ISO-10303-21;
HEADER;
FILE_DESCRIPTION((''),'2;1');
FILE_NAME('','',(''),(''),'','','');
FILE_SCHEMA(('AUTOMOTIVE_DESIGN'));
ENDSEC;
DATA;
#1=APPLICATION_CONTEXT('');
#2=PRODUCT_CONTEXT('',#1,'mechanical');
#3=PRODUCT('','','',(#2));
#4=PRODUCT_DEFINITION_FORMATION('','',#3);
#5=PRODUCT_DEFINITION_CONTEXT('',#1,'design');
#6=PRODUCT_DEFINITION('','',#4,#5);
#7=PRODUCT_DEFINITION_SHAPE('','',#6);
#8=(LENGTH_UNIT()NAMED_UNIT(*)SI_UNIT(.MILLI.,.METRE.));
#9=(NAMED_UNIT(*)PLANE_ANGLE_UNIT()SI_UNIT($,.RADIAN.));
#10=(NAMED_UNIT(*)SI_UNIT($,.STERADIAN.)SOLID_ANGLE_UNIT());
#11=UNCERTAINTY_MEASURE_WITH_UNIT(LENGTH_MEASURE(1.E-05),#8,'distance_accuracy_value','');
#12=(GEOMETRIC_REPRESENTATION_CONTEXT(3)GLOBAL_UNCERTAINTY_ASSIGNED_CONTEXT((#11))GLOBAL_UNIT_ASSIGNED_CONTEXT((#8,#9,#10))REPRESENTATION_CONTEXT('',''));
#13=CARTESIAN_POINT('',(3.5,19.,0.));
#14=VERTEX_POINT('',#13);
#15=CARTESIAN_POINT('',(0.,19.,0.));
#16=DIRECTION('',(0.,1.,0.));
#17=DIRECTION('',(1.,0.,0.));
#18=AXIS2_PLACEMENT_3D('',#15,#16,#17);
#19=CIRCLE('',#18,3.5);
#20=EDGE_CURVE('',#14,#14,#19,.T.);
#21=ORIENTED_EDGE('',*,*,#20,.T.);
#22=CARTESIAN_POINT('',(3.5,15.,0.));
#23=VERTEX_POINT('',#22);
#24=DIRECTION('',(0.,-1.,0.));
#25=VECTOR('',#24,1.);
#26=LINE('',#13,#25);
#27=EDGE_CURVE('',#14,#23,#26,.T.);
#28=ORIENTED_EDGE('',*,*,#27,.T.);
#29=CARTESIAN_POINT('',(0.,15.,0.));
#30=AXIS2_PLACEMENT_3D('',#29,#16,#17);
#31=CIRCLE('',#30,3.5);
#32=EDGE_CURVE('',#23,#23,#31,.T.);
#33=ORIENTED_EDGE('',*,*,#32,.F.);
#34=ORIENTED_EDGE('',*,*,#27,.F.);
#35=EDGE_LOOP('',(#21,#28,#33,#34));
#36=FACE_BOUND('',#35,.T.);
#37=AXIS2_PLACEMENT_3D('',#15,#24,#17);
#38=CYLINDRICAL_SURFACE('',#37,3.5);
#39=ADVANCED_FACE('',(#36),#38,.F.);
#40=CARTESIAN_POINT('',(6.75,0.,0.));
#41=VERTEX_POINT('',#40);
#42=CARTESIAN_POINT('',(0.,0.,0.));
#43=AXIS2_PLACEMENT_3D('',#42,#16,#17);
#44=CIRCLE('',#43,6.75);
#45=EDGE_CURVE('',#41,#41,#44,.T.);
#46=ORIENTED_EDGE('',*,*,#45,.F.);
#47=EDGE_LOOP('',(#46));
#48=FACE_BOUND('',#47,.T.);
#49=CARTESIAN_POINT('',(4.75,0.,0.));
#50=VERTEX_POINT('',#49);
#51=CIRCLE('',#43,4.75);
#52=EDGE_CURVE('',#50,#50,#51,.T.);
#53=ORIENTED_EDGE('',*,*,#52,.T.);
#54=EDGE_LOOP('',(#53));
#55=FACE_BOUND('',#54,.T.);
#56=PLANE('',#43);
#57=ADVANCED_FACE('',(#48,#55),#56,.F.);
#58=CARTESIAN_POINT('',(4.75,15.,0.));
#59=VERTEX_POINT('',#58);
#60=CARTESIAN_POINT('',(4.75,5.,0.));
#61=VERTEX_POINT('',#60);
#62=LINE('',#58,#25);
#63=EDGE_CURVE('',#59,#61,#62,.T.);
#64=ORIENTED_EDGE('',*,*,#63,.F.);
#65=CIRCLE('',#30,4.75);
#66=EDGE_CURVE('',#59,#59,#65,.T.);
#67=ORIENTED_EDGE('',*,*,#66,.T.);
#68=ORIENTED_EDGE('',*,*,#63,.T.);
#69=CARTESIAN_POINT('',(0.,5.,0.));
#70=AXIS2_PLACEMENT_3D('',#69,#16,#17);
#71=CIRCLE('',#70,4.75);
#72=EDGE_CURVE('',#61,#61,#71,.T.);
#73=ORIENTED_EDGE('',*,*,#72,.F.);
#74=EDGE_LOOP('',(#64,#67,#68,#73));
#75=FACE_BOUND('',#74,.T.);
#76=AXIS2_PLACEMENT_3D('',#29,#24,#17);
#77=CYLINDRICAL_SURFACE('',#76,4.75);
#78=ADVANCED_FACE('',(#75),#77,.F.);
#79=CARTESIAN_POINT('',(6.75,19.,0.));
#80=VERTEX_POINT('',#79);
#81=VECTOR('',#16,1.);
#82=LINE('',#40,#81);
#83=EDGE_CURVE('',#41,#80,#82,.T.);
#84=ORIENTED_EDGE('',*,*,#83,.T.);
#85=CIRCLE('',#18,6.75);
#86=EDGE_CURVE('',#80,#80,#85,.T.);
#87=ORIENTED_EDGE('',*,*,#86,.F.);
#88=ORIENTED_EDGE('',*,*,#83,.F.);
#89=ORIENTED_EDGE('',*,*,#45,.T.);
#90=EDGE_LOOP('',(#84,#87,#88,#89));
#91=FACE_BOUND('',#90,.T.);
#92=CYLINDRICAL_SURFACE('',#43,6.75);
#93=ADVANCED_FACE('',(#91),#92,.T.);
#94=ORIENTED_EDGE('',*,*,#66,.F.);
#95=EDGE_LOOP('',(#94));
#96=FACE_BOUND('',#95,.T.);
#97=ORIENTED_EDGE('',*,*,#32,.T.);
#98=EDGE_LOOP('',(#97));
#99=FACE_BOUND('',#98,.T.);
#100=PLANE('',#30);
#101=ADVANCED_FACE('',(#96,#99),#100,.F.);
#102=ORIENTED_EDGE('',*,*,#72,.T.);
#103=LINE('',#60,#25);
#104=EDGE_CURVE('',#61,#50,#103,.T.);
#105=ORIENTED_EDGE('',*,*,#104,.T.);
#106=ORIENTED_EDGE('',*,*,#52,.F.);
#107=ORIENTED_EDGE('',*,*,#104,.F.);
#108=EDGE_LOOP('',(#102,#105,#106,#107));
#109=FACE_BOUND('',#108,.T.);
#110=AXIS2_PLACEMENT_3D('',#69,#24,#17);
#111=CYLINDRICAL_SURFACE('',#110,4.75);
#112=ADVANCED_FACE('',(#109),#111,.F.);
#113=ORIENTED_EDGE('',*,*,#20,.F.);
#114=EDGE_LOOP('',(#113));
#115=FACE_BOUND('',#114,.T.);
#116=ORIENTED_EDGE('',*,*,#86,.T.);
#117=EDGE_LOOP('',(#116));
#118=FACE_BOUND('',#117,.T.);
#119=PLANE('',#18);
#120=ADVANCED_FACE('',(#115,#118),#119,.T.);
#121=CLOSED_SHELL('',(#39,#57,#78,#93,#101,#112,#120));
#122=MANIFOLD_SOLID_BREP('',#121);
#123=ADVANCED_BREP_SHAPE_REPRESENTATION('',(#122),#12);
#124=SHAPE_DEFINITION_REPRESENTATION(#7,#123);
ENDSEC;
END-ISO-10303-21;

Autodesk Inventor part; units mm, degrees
ref_plane "YZ Plane" through (0, 0, 0) normal (1, 0, 0) x (0, 1, 0)
ref_plane "XZ Plane" through (0, 0, 0) normal (0, 1, 0) x (-1, 0, 0)
ref_plane "XY Plane" through (0, 0, 0) normal (0, 0, 1) x (1, 0, 0)
sketch "Sketch1" plane through (0, 0, 0) normal (0, 0, 1) x (1, 0, 0)
  line L0 (0, 0) -> (4.75, 0) construction
  line L1 (6.75, 0) -> (6.75, 19)
  line L2 (6.75, 19) -> (3.5, 19)
  line L3 (3.5, 19) -> (3.5, 15)
  line L4 (3.5, 15) -> (3.5, 15)
  line L5 (3.5, 15) -> (3.5, 5) construction
  line L6 (3.5, 5) -> (0, 5) construction
  line L7 (0, 5) -> (0, 0) construction
  line L8 (4.75, 5) -> (3.5, 5)
  line L9 (3.5, 5) -> (3.5, 10.822) construction
  line L10 (3.5, 15) -> (4.75, 15)
  line L11 (4.75, 15) -> (4.75, 5)
  line L12 (4.75, 5) -> (3.5, 5)
  line L13 (4.75, 5) -> (4.75, 0)
  line L14 (4.75, 0) -> (6.75, 0)
  line L15 (0, -3.8) -> (0, 22.8) projected
  point P0 (3.375, 0)
  dimension "d0" = 4
  dimension "d7" = 3.5
  dimension "d9" = 10
  dimension "d11" = 4.75
  dimension "d12" = 2
  dimension "d13" = 5
revolve "Revolution1" add sketch "Sketch1" angle 360 about axis through (0, -10, 0) along (0, 1, 0)
properties part number "ButtonHolder_V3_3DPrint"
